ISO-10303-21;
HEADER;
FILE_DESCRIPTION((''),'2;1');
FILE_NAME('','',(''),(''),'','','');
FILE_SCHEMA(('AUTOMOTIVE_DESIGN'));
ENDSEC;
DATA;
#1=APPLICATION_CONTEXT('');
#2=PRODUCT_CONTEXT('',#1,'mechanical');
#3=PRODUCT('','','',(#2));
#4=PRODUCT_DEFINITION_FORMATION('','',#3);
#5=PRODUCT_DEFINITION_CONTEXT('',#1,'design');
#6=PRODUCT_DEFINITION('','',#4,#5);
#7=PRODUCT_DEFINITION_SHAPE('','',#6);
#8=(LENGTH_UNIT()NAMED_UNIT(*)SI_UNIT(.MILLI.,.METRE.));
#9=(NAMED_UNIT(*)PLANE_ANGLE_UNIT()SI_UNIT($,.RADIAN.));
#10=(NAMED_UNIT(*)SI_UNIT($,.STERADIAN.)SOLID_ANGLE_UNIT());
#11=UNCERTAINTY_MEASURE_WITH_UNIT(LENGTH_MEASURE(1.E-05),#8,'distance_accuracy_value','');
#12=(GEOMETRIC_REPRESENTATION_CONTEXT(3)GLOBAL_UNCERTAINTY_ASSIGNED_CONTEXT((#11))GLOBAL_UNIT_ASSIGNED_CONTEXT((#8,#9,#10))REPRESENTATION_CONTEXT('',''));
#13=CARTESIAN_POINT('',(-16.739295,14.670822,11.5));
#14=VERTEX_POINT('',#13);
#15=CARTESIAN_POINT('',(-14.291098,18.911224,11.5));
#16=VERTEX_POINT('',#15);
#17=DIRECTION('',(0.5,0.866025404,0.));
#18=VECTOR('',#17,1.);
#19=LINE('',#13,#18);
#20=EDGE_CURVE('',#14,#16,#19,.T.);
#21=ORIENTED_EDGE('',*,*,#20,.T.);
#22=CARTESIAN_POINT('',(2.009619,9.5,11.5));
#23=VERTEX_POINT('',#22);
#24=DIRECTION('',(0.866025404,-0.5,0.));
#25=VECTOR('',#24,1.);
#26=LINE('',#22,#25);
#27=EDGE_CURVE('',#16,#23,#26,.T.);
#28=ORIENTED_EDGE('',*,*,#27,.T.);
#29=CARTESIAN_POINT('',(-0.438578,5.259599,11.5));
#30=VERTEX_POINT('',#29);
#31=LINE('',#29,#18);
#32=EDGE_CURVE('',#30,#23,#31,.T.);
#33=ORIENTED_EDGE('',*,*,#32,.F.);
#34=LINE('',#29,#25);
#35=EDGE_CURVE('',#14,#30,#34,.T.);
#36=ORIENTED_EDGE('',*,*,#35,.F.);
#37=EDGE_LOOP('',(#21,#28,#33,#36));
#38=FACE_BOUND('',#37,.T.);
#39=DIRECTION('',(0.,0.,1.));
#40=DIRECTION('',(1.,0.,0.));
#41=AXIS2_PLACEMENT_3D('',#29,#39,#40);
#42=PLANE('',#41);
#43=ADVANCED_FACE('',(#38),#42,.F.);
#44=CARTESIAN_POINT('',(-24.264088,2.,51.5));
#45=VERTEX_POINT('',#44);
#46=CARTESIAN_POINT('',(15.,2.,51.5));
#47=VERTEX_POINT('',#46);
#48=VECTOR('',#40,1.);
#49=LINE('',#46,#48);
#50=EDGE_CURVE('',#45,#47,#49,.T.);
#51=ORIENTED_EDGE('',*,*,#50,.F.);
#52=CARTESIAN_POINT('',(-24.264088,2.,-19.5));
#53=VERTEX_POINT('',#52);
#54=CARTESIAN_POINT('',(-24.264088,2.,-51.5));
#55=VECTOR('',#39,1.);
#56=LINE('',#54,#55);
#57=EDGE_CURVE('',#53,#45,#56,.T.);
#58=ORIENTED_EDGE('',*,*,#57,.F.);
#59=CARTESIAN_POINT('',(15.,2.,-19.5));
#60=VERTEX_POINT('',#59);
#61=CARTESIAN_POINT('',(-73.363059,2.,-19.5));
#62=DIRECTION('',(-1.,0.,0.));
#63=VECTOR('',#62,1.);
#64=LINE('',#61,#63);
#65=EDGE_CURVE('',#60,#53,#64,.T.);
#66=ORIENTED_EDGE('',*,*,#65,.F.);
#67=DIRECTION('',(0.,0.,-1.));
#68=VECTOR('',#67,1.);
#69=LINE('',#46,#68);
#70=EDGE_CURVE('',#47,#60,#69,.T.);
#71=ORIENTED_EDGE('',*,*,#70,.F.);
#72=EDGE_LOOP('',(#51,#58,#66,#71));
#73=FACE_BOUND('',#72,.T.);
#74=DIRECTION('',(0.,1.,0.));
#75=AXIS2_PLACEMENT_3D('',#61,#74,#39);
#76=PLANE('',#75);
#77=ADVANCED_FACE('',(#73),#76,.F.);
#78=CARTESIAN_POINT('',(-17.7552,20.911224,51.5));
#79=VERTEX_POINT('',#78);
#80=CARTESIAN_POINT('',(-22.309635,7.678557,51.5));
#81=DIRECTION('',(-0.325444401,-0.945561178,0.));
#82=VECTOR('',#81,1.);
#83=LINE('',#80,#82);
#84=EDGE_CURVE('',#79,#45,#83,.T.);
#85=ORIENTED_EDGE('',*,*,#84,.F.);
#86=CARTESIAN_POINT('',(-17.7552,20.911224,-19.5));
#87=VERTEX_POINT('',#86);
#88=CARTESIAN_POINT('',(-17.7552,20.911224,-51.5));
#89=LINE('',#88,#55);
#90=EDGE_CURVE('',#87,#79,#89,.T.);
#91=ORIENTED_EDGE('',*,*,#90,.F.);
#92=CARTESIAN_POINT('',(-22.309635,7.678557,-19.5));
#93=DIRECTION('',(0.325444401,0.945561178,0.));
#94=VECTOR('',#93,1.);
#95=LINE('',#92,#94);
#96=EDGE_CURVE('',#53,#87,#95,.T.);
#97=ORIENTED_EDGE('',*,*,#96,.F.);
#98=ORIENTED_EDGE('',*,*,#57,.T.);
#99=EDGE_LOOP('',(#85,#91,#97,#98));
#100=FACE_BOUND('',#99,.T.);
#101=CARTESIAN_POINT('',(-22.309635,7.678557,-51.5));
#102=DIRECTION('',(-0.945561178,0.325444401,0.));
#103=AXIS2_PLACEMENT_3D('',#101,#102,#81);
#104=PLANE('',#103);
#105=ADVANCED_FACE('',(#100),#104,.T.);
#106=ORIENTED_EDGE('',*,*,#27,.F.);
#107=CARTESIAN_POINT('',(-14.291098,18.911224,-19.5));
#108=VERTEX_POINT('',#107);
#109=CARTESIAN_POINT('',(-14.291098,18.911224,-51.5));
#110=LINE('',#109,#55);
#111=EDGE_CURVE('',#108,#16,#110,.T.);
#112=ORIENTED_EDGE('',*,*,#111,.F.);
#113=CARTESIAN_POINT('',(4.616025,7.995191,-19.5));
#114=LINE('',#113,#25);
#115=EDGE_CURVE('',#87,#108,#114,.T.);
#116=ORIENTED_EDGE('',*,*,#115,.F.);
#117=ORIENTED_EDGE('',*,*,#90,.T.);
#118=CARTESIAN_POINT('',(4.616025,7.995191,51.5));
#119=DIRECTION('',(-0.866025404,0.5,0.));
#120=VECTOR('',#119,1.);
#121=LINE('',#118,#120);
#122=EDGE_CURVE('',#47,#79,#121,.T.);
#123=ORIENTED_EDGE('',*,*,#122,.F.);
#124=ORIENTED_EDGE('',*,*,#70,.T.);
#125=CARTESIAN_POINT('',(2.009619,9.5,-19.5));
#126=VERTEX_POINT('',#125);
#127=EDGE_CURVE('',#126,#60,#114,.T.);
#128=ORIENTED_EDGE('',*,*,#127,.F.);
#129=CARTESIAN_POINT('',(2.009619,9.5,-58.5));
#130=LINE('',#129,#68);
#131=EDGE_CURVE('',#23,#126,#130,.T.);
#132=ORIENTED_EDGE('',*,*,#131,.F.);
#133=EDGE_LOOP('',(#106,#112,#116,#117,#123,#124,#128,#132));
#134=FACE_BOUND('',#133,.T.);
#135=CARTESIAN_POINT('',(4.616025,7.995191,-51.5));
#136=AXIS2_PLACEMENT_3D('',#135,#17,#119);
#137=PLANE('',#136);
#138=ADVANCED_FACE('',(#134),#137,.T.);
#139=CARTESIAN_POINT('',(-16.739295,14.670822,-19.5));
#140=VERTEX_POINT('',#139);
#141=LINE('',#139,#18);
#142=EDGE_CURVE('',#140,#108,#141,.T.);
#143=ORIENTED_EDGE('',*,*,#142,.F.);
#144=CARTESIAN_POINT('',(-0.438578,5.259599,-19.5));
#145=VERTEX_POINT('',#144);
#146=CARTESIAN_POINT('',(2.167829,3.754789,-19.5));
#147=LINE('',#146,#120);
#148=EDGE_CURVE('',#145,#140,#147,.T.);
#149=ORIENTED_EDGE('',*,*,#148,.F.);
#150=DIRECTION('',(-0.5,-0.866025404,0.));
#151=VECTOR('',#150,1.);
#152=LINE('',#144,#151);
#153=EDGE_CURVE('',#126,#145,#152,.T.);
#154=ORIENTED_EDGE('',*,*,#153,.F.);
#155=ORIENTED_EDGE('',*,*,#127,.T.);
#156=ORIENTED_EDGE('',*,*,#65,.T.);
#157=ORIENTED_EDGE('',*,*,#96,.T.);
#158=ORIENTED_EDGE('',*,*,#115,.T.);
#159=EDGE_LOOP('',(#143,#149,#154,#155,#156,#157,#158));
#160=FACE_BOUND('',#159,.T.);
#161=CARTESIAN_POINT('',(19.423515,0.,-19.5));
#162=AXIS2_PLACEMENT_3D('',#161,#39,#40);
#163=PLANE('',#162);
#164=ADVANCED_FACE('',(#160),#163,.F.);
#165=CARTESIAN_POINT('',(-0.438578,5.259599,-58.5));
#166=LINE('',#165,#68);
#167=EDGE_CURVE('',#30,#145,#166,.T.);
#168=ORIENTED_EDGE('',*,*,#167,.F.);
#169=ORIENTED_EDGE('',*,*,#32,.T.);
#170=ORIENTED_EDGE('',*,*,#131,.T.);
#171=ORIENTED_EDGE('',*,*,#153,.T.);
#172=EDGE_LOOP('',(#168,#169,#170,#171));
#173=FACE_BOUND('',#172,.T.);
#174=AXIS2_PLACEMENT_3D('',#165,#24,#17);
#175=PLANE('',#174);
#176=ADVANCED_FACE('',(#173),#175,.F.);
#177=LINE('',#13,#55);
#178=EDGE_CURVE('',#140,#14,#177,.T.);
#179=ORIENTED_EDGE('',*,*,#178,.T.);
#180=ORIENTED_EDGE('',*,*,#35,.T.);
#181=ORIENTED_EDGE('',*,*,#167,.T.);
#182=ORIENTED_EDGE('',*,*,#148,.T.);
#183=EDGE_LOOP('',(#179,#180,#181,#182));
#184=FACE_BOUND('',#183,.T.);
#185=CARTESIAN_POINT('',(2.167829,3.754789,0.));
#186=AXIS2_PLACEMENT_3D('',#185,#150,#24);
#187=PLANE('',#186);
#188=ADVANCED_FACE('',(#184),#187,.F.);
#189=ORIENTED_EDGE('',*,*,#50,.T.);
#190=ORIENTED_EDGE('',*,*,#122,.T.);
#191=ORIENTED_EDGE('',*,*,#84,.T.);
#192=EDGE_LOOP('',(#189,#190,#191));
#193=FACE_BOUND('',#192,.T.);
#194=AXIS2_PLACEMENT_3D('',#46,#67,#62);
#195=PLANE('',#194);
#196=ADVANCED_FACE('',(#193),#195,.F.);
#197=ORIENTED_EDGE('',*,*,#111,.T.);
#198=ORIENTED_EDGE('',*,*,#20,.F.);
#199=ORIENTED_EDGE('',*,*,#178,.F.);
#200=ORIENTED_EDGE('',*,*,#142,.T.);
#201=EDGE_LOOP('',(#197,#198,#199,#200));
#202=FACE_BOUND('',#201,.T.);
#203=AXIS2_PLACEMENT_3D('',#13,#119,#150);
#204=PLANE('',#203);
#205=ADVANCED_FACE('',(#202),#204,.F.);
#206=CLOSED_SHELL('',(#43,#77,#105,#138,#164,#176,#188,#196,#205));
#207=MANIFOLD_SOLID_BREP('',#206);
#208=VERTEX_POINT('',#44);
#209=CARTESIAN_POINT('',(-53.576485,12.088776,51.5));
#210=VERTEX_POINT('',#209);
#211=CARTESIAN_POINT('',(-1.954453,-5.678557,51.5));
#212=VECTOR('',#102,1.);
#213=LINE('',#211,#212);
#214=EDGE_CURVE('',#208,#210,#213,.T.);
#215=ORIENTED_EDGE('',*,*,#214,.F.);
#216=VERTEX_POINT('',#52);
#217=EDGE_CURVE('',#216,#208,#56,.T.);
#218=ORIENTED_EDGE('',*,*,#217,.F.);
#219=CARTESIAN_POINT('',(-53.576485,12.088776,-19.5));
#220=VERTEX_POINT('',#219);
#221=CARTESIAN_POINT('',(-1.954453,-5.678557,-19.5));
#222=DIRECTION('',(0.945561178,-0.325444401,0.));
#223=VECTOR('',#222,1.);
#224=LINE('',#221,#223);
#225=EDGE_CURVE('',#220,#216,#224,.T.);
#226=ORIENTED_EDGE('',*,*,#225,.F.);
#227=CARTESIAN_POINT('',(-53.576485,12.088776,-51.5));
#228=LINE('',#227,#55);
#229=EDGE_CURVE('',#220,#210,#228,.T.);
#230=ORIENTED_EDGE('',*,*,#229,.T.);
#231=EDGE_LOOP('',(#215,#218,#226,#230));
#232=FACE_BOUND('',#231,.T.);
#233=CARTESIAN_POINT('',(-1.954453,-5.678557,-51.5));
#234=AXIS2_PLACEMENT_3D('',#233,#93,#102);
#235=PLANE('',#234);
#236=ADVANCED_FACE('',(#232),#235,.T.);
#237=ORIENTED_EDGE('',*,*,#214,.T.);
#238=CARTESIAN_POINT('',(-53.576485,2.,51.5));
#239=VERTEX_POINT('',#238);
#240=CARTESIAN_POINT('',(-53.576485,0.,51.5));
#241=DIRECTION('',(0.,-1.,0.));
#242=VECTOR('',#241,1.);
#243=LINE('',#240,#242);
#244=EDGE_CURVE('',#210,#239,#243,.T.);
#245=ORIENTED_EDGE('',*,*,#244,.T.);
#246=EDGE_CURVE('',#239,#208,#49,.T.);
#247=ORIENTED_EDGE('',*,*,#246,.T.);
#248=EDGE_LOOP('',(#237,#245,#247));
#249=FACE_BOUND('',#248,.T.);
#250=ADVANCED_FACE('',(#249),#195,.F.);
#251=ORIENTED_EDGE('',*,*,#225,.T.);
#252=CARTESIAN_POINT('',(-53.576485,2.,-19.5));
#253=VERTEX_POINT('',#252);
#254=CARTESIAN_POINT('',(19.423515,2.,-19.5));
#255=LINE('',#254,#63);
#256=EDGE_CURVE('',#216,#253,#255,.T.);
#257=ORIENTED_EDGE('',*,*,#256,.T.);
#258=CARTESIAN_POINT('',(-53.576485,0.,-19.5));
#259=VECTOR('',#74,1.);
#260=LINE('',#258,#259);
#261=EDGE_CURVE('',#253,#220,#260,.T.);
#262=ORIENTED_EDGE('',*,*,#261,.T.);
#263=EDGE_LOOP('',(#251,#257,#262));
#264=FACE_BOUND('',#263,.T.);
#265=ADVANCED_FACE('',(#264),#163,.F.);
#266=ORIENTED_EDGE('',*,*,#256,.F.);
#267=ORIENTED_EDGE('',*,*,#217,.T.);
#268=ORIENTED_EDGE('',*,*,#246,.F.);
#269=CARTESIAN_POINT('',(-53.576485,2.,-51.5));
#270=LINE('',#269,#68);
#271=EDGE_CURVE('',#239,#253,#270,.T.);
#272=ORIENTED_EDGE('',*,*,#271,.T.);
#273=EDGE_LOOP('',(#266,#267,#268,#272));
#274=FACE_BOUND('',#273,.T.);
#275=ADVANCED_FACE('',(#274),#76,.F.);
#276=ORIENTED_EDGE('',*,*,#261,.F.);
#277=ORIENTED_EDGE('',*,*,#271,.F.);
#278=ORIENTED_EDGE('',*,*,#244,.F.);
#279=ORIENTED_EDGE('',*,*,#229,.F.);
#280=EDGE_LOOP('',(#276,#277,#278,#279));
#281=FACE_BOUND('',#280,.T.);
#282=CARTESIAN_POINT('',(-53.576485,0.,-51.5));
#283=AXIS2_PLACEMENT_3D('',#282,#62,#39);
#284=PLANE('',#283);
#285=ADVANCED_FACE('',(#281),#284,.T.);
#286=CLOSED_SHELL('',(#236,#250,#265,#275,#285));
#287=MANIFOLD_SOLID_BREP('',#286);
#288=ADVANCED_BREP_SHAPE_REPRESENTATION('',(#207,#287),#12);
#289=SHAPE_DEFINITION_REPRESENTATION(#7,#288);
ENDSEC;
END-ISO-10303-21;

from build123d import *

# Parameters (mm, degrees)
SKETCH1_W               = 30
SKETCH1_H               = 103
BOSS_EXTRUDE1_DEPTH     = 2
BOSS_EXTRUDE2_DEPTH     = 103
SKETCH6_W               = 18.822447129
SKETCH6_H               = 70
CUT_EXTRUDE3_DEPTH      = 4.8963936
SKETCH7_W               = 32
SKETCH7_H               = 20.911223564
CUT_EXTRUDE4_DEPTH      = 73
SKETCH8_W               = 88.3630593
SKETCH8_H               = 30.379136557
CUT_EXTRUDE6_DEPTH      = 92.371324673
CUT_EXTRUDE6_DEPTH_BACK = 92.371324673


with BuildPart() as part:
    # Sketch1 → Boss-Extrude1 (new body)
    with BuildSketch(Plane(origin=(0, 0, 0), x_dir=(1, 0, 0), z_dir=(0, 1, 0))):
        Rectangle(SKETCH1_W, SKETCH1_H)
    extrude(amount=BOSS_EXTRUDE1_DEPTH)

    # Sketch2 → Boss-Extrude2 (add)
    with BuildSketch(Plane.XY.offset(51.5)):
        Polygon((0, 2), (15, 2), (-17.755200047, 20.911223564), (-24.26408807, 2), (-53.576484595, 12.088776436), (-53.576484595, 0), (-15, 0), (-15, 2), align=None)
    extrude(amount=-BOSS_EXTRUDE2_DEPTH)

    # Sketch6 → Cut-Extrude3 (cut)
    with BuildSketch(Plane(origin=(4.616025404, 7.995190528, 0), x_dir=(0.8660254037844382, -0.5000000000000009, 0), z_dir=(0.5000000000000009, 0.8660254037844382, 0))):
        with Locations((-12.420842507, 23.5)):
            Rectangle(SKETCH6_W, SKETCH6_H)
    extrude(amount=-CUT_EXTRUDE3_DEPTH, mode=Mode.SUBTRACT)

    # Sketch7 → Cut-Extrude4 (cut)
    with BuildSketch(Plane.ZY.offset(53.576484595)):
        with Locations((-35.5, 10.455611782)):
            Rectangle(SKETCH7_W, SKETCH7_H)
    extrude(amount=-CUT_EXTRUDE4_DEPTH, mode=Mode.SUBTRACT)

    # Sketch8 → Cut-Extrude6 (cut, two sides)
    with BuildSketch(Plane.XY.offset(51.5)) as cut_extrude6_sk:
        with Locations((-29.18152965, -13.189568279)):
            Rectangle(SKETCH8_W, SKETCH8_H)
    extrude(amount=CUT_EXTRUDE6_DEPTH, mode=Mode.SUBTRACT)
    extrude(cut_extrude6_sk.sketch, amount=-CUT_EXTRUDE6_DEPTH_BACK, mode=Mode.SUBTRACT)


with BuildPart() as cut_extrude6_piece_1:
    # of the separate pieces the step leaves, piece 1, a body of its own (cut_extrude6_pieces)
    add(part.part.solids().sort_by_distance((15, 2, 51.5))[0])


with BuildPart() as cut_extrude6_piece_2:
    # of the separate pieces the step leaves, piece 2, a body of its own (cut_extrude6_pieces)
    add(part.part.solids().sort_by_distance((-53.576484595, 2, 51.5))[0])


solid = Compound([cut_extrude6_piece_1.part, cut_extrude6_piece_2.part])
